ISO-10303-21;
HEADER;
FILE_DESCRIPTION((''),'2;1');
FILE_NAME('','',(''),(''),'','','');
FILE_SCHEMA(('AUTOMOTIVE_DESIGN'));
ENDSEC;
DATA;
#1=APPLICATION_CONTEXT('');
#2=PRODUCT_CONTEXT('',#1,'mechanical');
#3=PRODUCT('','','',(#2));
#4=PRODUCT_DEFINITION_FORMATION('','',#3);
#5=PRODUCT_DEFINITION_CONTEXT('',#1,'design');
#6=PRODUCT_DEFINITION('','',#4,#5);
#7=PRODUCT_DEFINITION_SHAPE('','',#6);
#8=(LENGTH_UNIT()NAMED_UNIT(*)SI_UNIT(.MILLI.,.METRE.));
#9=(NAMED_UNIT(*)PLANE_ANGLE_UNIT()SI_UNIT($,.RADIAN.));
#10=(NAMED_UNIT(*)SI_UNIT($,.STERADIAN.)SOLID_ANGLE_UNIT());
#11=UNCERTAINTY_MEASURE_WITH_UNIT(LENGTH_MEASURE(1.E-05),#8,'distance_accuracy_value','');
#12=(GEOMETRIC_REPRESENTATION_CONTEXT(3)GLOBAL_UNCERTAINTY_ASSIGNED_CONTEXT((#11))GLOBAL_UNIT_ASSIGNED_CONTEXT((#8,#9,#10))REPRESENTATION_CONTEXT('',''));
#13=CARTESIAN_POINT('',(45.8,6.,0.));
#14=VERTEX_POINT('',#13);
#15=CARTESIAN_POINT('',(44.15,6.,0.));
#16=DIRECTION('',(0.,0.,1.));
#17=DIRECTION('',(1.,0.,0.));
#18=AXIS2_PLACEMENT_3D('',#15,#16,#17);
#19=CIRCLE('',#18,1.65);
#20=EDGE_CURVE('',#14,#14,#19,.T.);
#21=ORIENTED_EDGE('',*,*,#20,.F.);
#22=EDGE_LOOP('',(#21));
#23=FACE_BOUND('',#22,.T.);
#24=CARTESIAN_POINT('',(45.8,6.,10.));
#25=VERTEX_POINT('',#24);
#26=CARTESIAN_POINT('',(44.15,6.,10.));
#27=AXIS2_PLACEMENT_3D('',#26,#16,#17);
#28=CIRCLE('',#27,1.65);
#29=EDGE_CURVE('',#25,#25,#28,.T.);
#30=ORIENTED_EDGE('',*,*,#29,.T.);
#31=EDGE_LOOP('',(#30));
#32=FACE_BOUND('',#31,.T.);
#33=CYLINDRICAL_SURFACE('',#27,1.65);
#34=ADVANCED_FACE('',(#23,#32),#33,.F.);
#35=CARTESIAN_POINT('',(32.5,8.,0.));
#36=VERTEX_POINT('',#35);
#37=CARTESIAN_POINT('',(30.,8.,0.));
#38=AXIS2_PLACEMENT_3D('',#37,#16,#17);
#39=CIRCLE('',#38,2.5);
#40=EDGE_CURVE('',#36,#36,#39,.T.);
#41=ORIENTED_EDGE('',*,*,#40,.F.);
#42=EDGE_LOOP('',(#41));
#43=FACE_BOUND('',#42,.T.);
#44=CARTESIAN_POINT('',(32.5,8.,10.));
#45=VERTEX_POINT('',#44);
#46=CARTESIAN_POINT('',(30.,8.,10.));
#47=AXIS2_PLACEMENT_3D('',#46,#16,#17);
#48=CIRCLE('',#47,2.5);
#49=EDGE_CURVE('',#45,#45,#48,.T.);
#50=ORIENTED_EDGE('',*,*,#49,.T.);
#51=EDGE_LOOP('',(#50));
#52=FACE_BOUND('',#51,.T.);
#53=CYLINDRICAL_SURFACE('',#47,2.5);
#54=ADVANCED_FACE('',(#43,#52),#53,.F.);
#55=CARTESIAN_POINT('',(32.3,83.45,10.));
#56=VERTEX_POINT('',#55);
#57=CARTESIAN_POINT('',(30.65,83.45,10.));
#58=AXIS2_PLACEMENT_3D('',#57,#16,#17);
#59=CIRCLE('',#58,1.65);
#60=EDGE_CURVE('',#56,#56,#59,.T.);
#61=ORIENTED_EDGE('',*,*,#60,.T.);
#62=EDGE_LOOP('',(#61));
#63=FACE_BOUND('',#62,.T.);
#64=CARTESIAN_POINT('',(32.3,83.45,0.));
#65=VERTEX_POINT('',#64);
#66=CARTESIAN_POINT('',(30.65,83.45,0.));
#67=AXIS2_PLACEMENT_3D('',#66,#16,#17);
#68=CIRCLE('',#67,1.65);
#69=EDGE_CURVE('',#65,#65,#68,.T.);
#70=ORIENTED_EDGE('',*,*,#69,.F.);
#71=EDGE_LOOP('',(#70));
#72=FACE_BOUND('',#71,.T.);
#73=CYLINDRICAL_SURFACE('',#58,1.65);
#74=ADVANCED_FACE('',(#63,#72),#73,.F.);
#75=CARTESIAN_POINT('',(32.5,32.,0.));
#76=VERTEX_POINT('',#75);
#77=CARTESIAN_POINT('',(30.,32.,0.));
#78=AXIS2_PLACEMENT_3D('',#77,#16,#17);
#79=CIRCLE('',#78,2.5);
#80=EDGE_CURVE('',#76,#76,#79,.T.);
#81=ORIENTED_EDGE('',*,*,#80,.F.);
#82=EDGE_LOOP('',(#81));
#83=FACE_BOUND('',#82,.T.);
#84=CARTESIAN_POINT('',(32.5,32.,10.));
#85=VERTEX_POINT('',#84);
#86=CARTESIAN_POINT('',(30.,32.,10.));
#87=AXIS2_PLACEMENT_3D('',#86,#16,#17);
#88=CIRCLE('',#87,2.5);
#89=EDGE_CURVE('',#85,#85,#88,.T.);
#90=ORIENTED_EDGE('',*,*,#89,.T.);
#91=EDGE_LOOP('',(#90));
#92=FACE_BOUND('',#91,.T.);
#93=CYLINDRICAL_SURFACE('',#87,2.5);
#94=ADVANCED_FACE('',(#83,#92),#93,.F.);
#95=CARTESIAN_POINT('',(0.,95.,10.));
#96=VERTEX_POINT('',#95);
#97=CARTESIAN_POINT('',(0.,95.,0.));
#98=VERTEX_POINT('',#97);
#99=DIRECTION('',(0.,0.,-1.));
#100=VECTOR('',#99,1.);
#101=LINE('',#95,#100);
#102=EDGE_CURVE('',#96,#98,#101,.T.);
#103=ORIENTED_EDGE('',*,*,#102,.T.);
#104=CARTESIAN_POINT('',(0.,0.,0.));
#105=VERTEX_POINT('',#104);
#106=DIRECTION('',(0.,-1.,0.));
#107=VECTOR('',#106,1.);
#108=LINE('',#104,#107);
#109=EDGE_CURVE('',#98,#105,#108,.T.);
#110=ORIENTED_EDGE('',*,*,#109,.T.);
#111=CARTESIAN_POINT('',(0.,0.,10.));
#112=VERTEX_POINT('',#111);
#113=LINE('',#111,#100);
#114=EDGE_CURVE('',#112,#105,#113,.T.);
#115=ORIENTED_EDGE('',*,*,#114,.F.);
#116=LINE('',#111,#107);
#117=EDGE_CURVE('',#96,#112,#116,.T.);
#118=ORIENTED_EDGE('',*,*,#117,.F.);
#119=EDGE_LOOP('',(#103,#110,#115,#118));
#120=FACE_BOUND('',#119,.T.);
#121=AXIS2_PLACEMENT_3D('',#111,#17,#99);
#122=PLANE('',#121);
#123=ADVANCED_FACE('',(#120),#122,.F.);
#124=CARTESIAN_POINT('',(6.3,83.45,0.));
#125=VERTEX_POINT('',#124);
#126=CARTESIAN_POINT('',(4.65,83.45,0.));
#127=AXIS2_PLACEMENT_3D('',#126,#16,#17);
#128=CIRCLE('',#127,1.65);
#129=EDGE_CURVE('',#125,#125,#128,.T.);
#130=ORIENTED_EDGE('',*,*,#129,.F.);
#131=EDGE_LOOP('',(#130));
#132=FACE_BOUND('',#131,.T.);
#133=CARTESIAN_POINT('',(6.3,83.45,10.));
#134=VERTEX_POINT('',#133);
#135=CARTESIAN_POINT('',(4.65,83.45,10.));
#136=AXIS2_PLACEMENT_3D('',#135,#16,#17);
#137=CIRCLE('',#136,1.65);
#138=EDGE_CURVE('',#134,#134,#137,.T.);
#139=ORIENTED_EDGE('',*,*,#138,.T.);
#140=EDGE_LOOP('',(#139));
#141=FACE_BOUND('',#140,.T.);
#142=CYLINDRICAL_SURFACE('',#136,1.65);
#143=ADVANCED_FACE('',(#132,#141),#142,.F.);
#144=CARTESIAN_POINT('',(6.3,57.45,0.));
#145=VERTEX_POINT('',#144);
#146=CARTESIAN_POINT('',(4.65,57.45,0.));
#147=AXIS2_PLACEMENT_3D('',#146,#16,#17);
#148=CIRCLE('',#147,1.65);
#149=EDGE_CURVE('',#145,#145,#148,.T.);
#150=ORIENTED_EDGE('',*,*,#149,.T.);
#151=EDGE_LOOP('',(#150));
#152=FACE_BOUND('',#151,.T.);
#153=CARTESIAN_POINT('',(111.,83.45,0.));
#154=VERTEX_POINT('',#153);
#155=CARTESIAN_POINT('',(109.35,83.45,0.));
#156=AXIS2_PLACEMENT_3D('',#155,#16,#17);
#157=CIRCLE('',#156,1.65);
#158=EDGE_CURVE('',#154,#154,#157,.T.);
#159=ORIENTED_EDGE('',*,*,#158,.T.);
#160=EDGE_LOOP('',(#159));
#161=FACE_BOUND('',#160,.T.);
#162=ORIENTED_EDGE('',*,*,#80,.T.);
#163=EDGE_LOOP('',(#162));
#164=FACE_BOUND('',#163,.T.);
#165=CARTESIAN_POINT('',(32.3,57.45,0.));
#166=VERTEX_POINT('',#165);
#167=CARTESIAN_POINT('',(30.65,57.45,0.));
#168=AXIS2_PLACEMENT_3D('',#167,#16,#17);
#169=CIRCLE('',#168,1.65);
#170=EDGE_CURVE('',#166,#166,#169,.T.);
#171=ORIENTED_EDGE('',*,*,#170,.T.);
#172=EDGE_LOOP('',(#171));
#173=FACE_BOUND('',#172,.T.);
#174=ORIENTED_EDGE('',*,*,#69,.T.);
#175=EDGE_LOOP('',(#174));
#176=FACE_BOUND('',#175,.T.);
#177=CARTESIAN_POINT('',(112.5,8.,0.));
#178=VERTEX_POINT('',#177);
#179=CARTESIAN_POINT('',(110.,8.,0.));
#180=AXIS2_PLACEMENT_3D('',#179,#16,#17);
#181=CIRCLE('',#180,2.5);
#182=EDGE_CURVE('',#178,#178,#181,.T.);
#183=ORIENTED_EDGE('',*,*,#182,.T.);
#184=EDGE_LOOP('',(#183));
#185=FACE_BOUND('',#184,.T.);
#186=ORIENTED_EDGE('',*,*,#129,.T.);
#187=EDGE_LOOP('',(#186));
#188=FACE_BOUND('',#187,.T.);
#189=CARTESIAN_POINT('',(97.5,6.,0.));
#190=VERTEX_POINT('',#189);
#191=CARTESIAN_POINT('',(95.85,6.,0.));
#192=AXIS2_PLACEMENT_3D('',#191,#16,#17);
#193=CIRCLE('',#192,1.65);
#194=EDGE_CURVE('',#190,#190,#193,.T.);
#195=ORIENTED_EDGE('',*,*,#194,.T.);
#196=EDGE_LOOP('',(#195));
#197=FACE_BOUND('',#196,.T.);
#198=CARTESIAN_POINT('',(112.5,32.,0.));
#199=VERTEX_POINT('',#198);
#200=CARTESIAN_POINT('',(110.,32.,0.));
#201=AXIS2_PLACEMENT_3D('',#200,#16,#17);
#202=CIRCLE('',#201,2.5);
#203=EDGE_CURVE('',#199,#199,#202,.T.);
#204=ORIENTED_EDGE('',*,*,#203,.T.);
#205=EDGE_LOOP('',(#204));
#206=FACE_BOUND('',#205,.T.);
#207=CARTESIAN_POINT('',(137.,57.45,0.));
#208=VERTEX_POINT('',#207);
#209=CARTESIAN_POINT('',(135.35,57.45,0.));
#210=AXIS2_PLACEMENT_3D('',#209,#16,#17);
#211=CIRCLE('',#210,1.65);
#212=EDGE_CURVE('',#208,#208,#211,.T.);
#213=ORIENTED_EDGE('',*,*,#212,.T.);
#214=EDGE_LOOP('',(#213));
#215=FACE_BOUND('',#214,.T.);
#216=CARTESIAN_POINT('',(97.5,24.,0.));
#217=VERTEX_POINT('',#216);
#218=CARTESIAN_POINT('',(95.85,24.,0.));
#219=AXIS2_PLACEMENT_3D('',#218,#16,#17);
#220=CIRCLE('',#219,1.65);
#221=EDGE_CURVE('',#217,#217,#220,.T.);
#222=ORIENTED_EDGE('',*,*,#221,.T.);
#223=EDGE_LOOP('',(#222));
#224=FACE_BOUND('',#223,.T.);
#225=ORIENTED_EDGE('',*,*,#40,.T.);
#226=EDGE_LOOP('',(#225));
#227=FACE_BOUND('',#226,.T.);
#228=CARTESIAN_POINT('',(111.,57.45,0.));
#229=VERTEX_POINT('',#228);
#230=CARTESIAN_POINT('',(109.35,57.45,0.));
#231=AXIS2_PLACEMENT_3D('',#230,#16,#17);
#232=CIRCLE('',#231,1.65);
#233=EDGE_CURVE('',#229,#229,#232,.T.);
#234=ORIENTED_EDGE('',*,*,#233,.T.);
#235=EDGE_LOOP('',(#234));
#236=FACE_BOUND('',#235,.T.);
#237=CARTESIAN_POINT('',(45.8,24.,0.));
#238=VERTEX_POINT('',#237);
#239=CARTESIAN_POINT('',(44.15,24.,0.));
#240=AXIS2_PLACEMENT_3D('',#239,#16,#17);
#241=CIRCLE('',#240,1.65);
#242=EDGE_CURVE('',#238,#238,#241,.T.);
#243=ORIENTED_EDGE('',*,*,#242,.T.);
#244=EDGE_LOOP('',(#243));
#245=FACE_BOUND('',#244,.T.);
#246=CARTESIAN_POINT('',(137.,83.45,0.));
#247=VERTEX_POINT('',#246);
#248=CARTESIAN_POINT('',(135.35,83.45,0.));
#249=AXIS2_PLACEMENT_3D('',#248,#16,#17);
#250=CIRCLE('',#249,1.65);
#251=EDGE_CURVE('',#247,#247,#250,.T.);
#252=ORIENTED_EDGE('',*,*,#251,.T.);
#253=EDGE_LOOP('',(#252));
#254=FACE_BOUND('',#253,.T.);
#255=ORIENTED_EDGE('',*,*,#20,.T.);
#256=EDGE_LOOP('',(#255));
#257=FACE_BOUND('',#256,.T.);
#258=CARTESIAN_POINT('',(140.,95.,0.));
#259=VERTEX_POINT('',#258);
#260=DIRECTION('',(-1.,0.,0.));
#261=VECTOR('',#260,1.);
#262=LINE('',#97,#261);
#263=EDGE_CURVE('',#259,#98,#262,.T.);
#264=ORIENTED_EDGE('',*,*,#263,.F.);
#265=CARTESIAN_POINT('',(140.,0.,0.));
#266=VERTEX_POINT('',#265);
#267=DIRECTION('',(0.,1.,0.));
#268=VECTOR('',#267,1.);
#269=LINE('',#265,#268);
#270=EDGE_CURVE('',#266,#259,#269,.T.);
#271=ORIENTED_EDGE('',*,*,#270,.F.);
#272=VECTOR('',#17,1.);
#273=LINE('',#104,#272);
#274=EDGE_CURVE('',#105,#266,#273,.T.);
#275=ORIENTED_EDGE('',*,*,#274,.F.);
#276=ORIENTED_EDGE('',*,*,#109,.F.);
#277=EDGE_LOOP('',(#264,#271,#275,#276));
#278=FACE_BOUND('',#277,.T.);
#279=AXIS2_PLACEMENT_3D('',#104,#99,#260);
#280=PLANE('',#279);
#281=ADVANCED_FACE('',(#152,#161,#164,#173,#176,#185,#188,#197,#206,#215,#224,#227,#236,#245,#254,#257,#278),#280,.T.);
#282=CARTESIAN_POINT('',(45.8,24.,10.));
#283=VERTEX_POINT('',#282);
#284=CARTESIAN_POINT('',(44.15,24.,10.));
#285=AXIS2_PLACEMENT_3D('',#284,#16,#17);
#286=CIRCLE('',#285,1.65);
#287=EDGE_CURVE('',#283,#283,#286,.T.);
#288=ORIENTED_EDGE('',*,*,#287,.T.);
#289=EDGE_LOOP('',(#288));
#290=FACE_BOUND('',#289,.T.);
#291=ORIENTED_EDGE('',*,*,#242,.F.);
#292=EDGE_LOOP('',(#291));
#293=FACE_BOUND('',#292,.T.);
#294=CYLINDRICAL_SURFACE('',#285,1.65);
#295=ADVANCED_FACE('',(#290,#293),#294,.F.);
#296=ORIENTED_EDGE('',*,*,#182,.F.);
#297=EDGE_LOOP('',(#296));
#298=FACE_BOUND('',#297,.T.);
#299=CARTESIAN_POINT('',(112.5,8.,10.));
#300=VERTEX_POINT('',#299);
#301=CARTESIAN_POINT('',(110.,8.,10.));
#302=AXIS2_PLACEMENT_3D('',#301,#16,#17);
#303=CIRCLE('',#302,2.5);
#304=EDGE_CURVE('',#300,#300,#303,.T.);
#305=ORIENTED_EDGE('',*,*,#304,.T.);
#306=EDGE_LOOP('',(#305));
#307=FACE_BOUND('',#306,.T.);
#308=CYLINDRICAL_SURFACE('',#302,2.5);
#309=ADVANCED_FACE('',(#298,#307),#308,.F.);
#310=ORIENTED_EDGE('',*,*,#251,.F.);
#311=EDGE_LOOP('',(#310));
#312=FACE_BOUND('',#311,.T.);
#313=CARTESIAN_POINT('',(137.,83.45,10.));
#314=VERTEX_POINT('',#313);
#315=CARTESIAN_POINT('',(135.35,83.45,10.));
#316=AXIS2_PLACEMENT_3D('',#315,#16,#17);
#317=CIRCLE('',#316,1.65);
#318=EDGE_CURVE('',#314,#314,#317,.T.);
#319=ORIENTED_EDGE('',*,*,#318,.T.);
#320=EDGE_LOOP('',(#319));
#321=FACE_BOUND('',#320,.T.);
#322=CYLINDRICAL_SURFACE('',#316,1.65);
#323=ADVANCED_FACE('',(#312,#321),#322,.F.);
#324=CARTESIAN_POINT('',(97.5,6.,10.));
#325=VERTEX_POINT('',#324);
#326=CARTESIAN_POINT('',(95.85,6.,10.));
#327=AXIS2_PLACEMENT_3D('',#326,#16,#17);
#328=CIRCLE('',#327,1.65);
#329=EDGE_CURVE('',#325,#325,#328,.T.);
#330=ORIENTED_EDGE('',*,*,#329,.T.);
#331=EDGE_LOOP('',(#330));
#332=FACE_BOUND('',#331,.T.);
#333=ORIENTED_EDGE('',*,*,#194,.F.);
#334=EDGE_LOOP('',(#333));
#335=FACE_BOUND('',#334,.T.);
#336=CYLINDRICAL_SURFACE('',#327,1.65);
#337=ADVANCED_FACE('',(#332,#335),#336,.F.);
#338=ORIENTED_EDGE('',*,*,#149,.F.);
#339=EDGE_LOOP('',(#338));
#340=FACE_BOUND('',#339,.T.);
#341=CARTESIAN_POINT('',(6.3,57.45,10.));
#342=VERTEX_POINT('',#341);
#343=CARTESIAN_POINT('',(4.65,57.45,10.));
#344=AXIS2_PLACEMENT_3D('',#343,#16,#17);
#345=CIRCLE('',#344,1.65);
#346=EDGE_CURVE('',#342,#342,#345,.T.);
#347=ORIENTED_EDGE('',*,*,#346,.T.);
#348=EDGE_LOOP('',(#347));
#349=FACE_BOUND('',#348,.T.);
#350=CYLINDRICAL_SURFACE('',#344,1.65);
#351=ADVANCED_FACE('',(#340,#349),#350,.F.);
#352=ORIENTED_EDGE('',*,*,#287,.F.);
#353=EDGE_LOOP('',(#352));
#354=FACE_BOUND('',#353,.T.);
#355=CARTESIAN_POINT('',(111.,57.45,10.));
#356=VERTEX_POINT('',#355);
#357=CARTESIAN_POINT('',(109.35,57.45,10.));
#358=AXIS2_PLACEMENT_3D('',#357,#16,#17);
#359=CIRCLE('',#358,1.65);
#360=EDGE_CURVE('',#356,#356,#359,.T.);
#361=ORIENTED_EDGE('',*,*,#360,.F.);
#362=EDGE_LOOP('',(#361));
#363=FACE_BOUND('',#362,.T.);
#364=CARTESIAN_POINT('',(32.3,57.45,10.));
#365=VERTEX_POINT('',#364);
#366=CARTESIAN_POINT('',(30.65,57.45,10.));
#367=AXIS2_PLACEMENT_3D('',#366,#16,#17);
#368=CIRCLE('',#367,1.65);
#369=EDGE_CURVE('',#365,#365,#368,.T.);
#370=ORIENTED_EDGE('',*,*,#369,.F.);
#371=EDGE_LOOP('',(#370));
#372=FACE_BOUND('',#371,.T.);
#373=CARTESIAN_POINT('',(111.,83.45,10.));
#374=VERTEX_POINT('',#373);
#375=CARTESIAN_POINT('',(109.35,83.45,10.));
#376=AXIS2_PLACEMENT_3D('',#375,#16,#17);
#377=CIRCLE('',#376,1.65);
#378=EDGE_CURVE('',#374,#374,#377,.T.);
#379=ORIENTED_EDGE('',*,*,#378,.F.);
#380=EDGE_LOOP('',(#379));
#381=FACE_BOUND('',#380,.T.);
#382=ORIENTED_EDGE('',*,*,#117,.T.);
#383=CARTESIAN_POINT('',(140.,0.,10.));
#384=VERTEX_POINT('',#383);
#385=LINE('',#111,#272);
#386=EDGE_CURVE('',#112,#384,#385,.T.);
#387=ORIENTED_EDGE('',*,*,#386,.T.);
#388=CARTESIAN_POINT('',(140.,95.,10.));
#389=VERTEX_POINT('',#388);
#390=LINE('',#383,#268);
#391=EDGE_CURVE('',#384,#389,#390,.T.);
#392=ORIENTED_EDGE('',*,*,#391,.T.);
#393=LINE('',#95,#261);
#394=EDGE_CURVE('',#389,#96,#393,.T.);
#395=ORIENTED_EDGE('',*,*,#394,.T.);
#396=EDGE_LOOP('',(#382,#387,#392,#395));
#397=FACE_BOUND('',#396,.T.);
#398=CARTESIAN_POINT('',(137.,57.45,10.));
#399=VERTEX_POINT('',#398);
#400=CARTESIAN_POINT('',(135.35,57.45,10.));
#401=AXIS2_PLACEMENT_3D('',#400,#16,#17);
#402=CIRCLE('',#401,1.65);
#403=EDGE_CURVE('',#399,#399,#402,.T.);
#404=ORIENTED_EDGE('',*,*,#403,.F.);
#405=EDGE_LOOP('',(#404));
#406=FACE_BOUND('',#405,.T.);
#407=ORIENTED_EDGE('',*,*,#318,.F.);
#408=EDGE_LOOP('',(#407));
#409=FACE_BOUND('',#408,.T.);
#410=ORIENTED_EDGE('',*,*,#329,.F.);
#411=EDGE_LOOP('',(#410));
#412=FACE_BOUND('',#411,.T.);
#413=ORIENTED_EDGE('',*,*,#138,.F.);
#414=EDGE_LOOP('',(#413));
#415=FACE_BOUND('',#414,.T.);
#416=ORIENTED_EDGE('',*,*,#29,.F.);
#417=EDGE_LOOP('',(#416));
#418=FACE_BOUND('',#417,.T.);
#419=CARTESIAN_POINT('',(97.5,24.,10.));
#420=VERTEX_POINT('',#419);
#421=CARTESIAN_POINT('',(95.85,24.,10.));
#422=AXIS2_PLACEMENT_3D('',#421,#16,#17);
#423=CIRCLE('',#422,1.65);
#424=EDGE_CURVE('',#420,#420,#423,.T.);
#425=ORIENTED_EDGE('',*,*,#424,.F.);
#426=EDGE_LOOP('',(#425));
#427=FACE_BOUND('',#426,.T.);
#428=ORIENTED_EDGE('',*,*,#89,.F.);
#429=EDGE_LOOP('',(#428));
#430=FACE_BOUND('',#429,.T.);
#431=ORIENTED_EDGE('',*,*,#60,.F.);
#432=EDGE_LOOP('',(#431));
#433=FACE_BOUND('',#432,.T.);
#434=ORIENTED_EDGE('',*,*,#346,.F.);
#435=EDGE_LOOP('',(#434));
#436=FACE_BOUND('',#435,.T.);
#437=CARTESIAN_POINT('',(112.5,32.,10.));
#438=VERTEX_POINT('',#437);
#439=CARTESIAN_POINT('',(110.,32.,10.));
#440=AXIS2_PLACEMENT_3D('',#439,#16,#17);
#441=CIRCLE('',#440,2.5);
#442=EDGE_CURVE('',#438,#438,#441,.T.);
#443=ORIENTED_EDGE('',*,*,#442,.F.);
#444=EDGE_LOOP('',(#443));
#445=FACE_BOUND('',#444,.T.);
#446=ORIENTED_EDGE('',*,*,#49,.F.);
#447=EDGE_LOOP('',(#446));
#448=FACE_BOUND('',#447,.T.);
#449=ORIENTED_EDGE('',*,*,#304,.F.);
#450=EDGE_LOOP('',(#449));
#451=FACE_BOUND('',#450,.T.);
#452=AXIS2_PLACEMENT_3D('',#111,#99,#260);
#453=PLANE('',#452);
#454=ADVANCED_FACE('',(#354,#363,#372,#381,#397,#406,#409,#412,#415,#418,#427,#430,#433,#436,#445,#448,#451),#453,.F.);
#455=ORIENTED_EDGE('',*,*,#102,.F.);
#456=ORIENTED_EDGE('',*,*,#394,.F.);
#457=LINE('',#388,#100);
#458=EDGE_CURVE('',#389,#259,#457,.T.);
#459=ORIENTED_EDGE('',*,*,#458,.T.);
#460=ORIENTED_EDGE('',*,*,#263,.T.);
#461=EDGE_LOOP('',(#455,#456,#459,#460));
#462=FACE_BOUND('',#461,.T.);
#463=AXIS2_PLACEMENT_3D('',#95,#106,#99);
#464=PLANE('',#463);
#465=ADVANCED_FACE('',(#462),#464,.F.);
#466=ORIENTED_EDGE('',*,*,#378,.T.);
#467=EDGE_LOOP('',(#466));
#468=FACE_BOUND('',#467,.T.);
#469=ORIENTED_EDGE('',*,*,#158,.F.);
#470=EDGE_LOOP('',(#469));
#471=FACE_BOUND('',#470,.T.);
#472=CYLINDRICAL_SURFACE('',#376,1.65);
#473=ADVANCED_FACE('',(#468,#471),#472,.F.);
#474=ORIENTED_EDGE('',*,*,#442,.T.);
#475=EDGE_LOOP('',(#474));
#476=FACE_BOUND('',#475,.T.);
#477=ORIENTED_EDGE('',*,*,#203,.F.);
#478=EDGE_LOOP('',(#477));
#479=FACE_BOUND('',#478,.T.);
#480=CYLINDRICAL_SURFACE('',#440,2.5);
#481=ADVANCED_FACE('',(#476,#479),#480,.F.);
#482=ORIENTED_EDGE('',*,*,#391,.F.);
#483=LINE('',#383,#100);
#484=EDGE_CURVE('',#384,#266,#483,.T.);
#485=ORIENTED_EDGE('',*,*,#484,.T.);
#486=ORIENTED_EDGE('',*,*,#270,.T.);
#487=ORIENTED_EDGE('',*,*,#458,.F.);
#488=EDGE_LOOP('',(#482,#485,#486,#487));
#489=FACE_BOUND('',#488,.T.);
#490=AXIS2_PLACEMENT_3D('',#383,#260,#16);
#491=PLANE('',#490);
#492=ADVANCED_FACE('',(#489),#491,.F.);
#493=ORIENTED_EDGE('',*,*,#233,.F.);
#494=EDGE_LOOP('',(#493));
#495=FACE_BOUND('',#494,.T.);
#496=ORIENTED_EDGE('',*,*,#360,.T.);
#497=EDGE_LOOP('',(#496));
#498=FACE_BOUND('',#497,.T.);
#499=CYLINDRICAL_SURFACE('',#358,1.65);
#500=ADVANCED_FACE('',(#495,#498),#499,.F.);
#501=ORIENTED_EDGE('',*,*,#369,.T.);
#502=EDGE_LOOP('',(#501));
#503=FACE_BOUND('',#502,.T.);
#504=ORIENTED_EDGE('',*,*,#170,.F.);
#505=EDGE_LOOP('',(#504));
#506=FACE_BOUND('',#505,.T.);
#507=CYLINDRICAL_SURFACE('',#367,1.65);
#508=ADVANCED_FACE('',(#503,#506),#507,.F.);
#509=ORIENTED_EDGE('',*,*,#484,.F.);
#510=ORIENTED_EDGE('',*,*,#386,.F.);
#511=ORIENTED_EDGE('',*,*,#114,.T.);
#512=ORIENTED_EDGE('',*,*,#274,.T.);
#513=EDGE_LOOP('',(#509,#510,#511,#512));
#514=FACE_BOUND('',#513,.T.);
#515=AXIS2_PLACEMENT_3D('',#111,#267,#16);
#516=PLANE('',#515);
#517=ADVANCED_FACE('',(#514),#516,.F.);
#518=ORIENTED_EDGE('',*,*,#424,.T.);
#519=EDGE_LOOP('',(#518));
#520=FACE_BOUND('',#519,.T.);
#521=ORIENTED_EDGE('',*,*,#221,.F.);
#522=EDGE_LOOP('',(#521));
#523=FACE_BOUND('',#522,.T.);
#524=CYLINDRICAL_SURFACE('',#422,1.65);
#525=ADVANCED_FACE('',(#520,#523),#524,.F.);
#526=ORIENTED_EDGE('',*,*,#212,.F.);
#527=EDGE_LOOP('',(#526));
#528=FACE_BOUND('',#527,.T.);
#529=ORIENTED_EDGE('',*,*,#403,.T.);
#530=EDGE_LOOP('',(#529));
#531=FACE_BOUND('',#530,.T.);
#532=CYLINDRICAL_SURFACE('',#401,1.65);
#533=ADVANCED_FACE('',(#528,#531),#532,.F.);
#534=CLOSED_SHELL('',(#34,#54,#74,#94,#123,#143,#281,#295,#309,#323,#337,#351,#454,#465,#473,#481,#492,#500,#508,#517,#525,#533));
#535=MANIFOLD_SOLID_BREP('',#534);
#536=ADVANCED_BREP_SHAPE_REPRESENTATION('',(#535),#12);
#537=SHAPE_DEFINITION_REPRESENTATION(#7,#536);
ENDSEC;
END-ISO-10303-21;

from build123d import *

# Parameters (mm, degrees)
SKETCH_1_W         = 140
SKETCH_1_H         = 95
EXTRUDE_1_DEPTH    = 10
HOLE_WIZARD_M4_1_D = 3.3
HOLE_WIZARD_M6_1_D = 5


with BuildPart() as part:
    # 草图1 → 凸台-拉伸1 (new body)
    with BuildSketch(Plane.XY):
        with Locations((70, 47.5)):
            Rectangle(SKETCH_1_W, SKETCH_1_H)
    extrude(amount=EXTRUDE_1_DEPTH)

    # M4 螺纹孔1 (through all)
    with Locations(Plane(origin=(4.65, 83.45, 10), x_dir=(1, 0, 0), z_dir=(0, 0, 1))):
        with Locations((0, 0), (0, -26), (26, -26), (26, 0), (104.7, 0), (130.7, 0), (130.7, -26), (104.7, -26), (39.5, -59.45), (39.5, -77.45), (91.2, -59.45), (91.2, -77.45)):
            Hole(HOLE_WIZARD_M4_1_D / 2)

    # M6 螺纹孔1 (through all)
    with Locations(Plane(origin=(30, 32, 10), x_dir=(1, 0, 0), z_dir=(0, 0, 1))):
        with Locations((0, 0), (0, -24), (80, 0), (80, -24)):
            Hole(HOLE_WIZARD_M6_1_D / 2)


solid = part.part
